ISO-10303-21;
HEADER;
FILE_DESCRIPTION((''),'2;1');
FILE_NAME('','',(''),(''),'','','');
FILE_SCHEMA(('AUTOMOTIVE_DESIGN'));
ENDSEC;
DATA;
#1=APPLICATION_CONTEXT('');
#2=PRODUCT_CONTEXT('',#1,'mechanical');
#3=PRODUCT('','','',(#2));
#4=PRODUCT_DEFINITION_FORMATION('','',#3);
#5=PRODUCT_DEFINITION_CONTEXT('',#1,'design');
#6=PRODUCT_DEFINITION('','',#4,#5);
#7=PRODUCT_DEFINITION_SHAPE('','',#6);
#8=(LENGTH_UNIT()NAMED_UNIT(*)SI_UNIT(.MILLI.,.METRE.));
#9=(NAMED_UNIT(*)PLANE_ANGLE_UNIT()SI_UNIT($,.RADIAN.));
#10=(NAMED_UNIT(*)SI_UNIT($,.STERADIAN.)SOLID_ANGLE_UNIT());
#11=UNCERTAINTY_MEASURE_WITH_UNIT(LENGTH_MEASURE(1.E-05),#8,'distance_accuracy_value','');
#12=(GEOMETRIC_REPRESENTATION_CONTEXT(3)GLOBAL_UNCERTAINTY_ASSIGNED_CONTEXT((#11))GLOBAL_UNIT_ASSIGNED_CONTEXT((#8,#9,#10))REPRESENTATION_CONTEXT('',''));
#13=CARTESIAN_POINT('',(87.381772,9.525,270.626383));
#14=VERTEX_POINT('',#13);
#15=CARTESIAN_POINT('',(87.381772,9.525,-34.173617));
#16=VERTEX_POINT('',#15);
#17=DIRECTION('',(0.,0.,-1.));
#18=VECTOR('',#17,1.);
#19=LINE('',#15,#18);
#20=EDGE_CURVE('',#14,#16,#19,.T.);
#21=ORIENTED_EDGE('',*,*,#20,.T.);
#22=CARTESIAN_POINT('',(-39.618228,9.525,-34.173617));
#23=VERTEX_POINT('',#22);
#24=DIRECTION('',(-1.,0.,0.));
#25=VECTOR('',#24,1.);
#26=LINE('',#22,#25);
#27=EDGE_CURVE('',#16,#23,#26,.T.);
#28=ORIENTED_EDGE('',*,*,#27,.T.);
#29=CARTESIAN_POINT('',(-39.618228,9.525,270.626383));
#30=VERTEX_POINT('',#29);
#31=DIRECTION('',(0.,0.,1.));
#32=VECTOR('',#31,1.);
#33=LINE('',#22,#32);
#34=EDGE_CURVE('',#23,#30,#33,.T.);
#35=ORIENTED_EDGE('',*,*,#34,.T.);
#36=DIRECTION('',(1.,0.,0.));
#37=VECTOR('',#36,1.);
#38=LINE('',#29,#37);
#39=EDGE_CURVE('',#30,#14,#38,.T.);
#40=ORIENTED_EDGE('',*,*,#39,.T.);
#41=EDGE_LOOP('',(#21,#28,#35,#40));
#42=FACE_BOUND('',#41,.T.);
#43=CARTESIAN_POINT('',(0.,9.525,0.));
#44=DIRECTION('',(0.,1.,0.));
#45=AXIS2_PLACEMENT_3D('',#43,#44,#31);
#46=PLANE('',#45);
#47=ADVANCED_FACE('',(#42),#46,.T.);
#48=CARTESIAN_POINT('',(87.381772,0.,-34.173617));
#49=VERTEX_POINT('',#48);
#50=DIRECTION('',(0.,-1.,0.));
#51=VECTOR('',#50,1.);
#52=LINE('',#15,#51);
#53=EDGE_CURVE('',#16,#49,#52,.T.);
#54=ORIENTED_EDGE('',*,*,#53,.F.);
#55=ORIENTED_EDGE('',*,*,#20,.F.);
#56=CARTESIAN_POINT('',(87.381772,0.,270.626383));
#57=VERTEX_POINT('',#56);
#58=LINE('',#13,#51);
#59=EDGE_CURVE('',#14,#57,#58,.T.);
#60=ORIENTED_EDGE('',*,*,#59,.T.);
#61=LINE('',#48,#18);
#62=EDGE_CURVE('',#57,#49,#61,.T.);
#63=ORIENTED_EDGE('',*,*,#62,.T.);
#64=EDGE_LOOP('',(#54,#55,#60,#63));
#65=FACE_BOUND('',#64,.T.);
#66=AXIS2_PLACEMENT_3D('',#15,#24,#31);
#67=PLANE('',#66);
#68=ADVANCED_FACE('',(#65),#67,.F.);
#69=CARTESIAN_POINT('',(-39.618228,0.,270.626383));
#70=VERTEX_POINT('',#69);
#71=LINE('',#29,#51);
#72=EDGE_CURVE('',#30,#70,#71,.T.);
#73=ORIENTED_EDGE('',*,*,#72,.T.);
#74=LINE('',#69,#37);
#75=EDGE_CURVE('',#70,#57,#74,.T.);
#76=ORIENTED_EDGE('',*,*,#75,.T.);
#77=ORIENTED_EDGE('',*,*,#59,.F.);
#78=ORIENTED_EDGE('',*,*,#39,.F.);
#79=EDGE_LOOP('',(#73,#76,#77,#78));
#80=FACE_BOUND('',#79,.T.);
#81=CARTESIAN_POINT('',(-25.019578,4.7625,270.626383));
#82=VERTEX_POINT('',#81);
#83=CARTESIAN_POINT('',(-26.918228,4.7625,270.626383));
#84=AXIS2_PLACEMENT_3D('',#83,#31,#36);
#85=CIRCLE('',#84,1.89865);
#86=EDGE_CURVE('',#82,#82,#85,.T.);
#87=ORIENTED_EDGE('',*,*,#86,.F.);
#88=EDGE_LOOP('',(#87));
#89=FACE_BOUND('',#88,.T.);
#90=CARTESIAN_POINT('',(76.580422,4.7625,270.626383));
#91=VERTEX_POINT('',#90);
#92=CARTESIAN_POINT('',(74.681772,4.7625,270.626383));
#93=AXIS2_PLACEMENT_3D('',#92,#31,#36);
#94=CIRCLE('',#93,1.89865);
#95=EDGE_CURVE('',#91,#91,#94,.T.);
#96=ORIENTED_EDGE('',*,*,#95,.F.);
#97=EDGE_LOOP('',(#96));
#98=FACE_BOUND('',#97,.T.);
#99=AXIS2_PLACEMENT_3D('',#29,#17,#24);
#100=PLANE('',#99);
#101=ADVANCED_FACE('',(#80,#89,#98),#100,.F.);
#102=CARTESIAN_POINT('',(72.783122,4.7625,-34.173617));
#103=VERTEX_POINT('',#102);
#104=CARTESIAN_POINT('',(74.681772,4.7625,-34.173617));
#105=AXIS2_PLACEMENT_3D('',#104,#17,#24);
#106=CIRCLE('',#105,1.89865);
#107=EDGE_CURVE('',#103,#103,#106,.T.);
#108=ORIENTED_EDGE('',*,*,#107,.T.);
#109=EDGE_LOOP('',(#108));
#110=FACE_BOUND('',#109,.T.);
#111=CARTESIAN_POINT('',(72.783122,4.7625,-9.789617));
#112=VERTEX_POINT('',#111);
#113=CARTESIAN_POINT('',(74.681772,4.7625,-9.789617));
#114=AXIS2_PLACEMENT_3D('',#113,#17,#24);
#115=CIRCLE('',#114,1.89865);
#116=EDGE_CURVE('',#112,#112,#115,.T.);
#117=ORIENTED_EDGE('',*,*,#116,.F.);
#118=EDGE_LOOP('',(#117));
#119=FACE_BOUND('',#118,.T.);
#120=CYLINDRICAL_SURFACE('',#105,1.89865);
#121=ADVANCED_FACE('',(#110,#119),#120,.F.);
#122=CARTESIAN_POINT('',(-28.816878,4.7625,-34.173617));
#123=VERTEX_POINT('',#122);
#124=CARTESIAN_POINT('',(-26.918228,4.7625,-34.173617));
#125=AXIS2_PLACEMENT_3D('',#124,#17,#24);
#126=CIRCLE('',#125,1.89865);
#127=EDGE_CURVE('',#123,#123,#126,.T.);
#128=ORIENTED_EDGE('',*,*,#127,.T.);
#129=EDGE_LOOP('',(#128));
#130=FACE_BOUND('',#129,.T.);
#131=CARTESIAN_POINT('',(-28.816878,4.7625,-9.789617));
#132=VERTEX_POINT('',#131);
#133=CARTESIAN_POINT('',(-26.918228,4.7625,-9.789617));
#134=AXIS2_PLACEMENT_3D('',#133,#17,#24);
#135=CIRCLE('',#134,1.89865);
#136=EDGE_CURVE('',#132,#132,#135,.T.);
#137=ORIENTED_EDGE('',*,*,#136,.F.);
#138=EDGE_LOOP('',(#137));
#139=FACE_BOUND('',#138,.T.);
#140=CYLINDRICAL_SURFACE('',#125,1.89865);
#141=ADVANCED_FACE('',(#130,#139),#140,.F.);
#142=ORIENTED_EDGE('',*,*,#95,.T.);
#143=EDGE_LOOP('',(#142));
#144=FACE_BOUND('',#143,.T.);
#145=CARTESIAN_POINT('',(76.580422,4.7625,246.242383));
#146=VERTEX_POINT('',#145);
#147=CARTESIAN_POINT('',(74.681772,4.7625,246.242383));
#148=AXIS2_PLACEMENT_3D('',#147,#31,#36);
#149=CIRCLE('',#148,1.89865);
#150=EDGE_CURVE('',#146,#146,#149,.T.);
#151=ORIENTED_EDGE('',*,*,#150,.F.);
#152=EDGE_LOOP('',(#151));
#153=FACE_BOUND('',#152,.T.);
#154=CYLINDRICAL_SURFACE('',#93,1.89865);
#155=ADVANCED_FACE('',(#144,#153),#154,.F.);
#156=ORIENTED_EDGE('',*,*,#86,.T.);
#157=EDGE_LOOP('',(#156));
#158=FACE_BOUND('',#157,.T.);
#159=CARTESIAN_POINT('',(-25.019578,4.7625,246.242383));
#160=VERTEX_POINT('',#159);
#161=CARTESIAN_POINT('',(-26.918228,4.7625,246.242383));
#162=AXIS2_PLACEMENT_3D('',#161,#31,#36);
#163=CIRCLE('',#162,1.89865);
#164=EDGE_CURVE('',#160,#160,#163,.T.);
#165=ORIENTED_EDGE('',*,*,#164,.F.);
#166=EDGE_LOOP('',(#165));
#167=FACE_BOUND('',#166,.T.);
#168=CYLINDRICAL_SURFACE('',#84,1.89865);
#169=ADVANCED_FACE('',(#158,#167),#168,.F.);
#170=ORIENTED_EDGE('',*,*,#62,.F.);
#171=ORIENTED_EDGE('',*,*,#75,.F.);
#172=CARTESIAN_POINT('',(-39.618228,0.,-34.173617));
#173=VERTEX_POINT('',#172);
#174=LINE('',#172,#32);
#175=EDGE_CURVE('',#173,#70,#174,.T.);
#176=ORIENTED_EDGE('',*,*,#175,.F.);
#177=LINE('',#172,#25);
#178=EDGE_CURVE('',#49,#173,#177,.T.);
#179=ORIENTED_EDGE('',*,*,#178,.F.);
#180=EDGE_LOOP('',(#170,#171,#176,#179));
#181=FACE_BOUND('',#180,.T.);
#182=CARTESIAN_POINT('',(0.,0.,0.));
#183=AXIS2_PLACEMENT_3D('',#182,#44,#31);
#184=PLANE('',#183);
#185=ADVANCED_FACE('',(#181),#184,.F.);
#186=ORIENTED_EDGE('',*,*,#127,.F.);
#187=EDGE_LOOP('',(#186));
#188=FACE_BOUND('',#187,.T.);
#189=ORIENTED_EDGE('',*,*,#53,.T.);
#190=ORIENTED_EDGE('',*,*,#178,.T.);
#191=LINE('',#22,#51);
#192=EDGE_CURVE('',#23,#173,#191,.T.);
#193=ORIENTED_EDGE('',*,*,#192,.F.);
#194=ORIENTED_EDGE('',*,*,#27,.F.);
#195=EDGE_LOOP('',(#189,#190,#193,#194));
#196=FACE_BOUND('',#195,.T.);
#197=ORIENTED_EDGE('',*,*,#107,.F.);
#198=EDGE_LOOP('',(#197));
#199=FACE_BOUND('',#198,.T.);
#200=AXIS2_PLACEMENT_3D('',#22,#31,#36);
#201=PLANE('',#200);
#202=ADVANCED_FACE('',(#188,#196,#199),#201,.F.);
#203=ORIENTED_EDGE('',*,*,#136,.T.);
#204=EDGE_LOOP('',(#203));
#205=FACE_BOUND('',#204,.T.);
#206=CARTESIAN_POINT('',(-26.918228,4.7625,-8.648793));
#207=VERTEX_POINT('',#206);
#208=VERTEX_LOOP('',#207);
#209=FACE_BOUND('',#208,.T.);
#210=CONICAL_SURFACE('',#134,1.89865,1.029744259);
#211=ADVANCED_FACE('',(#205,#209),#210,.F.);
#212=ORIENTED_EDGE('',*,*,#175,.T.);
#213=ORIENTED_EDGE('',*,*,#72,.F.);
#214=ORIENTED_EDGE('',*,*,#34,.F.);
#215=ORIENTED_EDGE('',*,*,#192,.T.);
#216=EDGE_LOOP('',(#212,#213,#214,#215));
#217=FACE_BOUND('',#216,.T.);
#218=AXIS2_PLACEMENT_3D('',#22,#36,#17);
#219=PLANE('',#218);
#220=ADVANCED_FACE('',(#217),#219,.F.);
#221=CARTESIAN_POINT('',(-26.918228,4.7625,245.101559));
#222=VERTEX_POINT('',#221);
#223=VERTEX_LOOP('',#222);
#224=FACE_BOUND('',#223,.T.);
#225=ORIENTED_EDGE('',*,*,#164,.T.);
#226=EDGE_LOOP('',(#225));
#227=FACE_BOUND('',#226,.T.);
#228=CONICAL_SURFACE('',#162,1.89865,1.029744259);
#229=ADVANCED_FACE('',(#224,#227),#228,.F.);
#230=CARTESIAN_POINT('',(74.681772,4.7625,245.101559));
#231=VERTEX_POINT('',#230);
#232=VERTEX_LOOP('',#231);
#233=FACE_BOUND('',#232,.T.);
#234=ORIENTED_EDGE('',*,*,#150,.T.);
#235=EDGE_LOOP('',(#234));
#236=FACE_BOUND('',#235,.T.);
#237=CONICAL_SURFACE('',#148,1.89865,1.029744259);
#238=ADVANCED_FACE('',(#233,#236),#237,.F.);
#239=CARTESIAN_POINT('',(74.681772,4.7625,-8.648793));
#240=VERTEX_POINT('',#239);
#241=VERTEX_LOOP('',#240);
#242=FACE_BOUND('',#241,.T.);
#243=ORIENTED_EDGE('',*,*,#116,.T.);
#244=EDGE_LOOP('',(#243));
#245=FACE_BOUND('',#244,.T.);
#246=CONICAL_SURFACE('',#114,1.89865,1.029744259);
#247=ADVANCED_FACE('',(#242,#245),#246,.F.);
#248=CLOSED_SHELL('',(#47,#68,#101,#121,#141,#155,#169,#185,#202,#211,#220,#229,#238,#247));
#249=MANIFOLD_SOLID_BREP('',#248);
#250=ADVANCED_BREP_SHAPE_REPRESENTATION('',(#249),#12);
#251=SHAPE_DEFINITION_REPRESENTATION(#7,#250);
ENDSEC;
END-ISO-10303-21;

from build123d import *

# Parameters (mm, degrees)
SKETCH1_W                  = 127
SKETCH1_H                  = 304.8
BOSS_EXTRUDE1_DEPTH        = 9.525
F_10_24_TAPPED_HOLE1_D     = 3.7973
F_10_24_TAPPED_HOLE1_DEPTH = 24.384
F_10_24_TAPPED_HOLE1_TIP   = 1.140824014
F_10_24_TAPPED_HOLE2_D     = 3.7973
F_10_24_TAPPED_HOLE2_DEPTH = 24.384
F_10_24_TAPPED_HOLE2_TIP   = 1.140824014


with BuildPart() as part:
    # Sketch1 → Boss-Extrude1 (new body)
    with BuildSketch(Plane(origin=(0, 0, 0), x_dir=(1, 0, 0), z_dir=(0, 1, 0))):
        with Locations((23.881772484, -118.226382698)):
            Rectangle(SKETCH1_W, SKETCH1_H)
    extrude(amount=BOSS_EXTRUDE1_DEPTH)

    # #10-24 Tapped Hole1
    with Locations(Plane.XY.offset(270.626382698)):
        with Locations((-26.918227516, 4.7625), (74.681772484, 4.7625)):
            Hole(F_10_24_TAPPED_HOLE1_D / 2, depth=F_10_24_TAPPED_HOLE1_DEPTH)
            with Locations((0, 0, -(F_10_24_TAPPED_HOLE1_DEPTH + F_10_24_TAPPED_HOLE1_TIP / 2))):  # 118° drill point
                Cone(0, F_10_24_TAPPED_HOLE1_D / 2, F_10_24_TAPPED_HOLE1_TIP, mode=Mode.SUBTRACT)

    # #10-24 Tapped Hole2
    with Locations(Plane(origin=(0, 0, -34.173617302), x_dir=(-1, 0, 0), z_dir=(0, 0, -1))):
        with Locations((-74.681772484, 4.7625), (26.918227516, 4.7625)):
            Hole(F_10_24_TAPPED_HOLE2_D / 2, depth=F_10_24_TAPPED_HOLE2_DEPTH)
            with Locations((0, 0, -(F_10_24_TAPPED_HOLE2_DEPTH + F_10_24_TAPPED_HOLE2_TIP / 2))):  # 118° drill point
                Cone(0, F_10_24_TAPPED_HOLE2_D / 2, F_10_24_TAPPED_HOLE2_TIP, mode=Mode.SUBTRACT)


solid = part.part
